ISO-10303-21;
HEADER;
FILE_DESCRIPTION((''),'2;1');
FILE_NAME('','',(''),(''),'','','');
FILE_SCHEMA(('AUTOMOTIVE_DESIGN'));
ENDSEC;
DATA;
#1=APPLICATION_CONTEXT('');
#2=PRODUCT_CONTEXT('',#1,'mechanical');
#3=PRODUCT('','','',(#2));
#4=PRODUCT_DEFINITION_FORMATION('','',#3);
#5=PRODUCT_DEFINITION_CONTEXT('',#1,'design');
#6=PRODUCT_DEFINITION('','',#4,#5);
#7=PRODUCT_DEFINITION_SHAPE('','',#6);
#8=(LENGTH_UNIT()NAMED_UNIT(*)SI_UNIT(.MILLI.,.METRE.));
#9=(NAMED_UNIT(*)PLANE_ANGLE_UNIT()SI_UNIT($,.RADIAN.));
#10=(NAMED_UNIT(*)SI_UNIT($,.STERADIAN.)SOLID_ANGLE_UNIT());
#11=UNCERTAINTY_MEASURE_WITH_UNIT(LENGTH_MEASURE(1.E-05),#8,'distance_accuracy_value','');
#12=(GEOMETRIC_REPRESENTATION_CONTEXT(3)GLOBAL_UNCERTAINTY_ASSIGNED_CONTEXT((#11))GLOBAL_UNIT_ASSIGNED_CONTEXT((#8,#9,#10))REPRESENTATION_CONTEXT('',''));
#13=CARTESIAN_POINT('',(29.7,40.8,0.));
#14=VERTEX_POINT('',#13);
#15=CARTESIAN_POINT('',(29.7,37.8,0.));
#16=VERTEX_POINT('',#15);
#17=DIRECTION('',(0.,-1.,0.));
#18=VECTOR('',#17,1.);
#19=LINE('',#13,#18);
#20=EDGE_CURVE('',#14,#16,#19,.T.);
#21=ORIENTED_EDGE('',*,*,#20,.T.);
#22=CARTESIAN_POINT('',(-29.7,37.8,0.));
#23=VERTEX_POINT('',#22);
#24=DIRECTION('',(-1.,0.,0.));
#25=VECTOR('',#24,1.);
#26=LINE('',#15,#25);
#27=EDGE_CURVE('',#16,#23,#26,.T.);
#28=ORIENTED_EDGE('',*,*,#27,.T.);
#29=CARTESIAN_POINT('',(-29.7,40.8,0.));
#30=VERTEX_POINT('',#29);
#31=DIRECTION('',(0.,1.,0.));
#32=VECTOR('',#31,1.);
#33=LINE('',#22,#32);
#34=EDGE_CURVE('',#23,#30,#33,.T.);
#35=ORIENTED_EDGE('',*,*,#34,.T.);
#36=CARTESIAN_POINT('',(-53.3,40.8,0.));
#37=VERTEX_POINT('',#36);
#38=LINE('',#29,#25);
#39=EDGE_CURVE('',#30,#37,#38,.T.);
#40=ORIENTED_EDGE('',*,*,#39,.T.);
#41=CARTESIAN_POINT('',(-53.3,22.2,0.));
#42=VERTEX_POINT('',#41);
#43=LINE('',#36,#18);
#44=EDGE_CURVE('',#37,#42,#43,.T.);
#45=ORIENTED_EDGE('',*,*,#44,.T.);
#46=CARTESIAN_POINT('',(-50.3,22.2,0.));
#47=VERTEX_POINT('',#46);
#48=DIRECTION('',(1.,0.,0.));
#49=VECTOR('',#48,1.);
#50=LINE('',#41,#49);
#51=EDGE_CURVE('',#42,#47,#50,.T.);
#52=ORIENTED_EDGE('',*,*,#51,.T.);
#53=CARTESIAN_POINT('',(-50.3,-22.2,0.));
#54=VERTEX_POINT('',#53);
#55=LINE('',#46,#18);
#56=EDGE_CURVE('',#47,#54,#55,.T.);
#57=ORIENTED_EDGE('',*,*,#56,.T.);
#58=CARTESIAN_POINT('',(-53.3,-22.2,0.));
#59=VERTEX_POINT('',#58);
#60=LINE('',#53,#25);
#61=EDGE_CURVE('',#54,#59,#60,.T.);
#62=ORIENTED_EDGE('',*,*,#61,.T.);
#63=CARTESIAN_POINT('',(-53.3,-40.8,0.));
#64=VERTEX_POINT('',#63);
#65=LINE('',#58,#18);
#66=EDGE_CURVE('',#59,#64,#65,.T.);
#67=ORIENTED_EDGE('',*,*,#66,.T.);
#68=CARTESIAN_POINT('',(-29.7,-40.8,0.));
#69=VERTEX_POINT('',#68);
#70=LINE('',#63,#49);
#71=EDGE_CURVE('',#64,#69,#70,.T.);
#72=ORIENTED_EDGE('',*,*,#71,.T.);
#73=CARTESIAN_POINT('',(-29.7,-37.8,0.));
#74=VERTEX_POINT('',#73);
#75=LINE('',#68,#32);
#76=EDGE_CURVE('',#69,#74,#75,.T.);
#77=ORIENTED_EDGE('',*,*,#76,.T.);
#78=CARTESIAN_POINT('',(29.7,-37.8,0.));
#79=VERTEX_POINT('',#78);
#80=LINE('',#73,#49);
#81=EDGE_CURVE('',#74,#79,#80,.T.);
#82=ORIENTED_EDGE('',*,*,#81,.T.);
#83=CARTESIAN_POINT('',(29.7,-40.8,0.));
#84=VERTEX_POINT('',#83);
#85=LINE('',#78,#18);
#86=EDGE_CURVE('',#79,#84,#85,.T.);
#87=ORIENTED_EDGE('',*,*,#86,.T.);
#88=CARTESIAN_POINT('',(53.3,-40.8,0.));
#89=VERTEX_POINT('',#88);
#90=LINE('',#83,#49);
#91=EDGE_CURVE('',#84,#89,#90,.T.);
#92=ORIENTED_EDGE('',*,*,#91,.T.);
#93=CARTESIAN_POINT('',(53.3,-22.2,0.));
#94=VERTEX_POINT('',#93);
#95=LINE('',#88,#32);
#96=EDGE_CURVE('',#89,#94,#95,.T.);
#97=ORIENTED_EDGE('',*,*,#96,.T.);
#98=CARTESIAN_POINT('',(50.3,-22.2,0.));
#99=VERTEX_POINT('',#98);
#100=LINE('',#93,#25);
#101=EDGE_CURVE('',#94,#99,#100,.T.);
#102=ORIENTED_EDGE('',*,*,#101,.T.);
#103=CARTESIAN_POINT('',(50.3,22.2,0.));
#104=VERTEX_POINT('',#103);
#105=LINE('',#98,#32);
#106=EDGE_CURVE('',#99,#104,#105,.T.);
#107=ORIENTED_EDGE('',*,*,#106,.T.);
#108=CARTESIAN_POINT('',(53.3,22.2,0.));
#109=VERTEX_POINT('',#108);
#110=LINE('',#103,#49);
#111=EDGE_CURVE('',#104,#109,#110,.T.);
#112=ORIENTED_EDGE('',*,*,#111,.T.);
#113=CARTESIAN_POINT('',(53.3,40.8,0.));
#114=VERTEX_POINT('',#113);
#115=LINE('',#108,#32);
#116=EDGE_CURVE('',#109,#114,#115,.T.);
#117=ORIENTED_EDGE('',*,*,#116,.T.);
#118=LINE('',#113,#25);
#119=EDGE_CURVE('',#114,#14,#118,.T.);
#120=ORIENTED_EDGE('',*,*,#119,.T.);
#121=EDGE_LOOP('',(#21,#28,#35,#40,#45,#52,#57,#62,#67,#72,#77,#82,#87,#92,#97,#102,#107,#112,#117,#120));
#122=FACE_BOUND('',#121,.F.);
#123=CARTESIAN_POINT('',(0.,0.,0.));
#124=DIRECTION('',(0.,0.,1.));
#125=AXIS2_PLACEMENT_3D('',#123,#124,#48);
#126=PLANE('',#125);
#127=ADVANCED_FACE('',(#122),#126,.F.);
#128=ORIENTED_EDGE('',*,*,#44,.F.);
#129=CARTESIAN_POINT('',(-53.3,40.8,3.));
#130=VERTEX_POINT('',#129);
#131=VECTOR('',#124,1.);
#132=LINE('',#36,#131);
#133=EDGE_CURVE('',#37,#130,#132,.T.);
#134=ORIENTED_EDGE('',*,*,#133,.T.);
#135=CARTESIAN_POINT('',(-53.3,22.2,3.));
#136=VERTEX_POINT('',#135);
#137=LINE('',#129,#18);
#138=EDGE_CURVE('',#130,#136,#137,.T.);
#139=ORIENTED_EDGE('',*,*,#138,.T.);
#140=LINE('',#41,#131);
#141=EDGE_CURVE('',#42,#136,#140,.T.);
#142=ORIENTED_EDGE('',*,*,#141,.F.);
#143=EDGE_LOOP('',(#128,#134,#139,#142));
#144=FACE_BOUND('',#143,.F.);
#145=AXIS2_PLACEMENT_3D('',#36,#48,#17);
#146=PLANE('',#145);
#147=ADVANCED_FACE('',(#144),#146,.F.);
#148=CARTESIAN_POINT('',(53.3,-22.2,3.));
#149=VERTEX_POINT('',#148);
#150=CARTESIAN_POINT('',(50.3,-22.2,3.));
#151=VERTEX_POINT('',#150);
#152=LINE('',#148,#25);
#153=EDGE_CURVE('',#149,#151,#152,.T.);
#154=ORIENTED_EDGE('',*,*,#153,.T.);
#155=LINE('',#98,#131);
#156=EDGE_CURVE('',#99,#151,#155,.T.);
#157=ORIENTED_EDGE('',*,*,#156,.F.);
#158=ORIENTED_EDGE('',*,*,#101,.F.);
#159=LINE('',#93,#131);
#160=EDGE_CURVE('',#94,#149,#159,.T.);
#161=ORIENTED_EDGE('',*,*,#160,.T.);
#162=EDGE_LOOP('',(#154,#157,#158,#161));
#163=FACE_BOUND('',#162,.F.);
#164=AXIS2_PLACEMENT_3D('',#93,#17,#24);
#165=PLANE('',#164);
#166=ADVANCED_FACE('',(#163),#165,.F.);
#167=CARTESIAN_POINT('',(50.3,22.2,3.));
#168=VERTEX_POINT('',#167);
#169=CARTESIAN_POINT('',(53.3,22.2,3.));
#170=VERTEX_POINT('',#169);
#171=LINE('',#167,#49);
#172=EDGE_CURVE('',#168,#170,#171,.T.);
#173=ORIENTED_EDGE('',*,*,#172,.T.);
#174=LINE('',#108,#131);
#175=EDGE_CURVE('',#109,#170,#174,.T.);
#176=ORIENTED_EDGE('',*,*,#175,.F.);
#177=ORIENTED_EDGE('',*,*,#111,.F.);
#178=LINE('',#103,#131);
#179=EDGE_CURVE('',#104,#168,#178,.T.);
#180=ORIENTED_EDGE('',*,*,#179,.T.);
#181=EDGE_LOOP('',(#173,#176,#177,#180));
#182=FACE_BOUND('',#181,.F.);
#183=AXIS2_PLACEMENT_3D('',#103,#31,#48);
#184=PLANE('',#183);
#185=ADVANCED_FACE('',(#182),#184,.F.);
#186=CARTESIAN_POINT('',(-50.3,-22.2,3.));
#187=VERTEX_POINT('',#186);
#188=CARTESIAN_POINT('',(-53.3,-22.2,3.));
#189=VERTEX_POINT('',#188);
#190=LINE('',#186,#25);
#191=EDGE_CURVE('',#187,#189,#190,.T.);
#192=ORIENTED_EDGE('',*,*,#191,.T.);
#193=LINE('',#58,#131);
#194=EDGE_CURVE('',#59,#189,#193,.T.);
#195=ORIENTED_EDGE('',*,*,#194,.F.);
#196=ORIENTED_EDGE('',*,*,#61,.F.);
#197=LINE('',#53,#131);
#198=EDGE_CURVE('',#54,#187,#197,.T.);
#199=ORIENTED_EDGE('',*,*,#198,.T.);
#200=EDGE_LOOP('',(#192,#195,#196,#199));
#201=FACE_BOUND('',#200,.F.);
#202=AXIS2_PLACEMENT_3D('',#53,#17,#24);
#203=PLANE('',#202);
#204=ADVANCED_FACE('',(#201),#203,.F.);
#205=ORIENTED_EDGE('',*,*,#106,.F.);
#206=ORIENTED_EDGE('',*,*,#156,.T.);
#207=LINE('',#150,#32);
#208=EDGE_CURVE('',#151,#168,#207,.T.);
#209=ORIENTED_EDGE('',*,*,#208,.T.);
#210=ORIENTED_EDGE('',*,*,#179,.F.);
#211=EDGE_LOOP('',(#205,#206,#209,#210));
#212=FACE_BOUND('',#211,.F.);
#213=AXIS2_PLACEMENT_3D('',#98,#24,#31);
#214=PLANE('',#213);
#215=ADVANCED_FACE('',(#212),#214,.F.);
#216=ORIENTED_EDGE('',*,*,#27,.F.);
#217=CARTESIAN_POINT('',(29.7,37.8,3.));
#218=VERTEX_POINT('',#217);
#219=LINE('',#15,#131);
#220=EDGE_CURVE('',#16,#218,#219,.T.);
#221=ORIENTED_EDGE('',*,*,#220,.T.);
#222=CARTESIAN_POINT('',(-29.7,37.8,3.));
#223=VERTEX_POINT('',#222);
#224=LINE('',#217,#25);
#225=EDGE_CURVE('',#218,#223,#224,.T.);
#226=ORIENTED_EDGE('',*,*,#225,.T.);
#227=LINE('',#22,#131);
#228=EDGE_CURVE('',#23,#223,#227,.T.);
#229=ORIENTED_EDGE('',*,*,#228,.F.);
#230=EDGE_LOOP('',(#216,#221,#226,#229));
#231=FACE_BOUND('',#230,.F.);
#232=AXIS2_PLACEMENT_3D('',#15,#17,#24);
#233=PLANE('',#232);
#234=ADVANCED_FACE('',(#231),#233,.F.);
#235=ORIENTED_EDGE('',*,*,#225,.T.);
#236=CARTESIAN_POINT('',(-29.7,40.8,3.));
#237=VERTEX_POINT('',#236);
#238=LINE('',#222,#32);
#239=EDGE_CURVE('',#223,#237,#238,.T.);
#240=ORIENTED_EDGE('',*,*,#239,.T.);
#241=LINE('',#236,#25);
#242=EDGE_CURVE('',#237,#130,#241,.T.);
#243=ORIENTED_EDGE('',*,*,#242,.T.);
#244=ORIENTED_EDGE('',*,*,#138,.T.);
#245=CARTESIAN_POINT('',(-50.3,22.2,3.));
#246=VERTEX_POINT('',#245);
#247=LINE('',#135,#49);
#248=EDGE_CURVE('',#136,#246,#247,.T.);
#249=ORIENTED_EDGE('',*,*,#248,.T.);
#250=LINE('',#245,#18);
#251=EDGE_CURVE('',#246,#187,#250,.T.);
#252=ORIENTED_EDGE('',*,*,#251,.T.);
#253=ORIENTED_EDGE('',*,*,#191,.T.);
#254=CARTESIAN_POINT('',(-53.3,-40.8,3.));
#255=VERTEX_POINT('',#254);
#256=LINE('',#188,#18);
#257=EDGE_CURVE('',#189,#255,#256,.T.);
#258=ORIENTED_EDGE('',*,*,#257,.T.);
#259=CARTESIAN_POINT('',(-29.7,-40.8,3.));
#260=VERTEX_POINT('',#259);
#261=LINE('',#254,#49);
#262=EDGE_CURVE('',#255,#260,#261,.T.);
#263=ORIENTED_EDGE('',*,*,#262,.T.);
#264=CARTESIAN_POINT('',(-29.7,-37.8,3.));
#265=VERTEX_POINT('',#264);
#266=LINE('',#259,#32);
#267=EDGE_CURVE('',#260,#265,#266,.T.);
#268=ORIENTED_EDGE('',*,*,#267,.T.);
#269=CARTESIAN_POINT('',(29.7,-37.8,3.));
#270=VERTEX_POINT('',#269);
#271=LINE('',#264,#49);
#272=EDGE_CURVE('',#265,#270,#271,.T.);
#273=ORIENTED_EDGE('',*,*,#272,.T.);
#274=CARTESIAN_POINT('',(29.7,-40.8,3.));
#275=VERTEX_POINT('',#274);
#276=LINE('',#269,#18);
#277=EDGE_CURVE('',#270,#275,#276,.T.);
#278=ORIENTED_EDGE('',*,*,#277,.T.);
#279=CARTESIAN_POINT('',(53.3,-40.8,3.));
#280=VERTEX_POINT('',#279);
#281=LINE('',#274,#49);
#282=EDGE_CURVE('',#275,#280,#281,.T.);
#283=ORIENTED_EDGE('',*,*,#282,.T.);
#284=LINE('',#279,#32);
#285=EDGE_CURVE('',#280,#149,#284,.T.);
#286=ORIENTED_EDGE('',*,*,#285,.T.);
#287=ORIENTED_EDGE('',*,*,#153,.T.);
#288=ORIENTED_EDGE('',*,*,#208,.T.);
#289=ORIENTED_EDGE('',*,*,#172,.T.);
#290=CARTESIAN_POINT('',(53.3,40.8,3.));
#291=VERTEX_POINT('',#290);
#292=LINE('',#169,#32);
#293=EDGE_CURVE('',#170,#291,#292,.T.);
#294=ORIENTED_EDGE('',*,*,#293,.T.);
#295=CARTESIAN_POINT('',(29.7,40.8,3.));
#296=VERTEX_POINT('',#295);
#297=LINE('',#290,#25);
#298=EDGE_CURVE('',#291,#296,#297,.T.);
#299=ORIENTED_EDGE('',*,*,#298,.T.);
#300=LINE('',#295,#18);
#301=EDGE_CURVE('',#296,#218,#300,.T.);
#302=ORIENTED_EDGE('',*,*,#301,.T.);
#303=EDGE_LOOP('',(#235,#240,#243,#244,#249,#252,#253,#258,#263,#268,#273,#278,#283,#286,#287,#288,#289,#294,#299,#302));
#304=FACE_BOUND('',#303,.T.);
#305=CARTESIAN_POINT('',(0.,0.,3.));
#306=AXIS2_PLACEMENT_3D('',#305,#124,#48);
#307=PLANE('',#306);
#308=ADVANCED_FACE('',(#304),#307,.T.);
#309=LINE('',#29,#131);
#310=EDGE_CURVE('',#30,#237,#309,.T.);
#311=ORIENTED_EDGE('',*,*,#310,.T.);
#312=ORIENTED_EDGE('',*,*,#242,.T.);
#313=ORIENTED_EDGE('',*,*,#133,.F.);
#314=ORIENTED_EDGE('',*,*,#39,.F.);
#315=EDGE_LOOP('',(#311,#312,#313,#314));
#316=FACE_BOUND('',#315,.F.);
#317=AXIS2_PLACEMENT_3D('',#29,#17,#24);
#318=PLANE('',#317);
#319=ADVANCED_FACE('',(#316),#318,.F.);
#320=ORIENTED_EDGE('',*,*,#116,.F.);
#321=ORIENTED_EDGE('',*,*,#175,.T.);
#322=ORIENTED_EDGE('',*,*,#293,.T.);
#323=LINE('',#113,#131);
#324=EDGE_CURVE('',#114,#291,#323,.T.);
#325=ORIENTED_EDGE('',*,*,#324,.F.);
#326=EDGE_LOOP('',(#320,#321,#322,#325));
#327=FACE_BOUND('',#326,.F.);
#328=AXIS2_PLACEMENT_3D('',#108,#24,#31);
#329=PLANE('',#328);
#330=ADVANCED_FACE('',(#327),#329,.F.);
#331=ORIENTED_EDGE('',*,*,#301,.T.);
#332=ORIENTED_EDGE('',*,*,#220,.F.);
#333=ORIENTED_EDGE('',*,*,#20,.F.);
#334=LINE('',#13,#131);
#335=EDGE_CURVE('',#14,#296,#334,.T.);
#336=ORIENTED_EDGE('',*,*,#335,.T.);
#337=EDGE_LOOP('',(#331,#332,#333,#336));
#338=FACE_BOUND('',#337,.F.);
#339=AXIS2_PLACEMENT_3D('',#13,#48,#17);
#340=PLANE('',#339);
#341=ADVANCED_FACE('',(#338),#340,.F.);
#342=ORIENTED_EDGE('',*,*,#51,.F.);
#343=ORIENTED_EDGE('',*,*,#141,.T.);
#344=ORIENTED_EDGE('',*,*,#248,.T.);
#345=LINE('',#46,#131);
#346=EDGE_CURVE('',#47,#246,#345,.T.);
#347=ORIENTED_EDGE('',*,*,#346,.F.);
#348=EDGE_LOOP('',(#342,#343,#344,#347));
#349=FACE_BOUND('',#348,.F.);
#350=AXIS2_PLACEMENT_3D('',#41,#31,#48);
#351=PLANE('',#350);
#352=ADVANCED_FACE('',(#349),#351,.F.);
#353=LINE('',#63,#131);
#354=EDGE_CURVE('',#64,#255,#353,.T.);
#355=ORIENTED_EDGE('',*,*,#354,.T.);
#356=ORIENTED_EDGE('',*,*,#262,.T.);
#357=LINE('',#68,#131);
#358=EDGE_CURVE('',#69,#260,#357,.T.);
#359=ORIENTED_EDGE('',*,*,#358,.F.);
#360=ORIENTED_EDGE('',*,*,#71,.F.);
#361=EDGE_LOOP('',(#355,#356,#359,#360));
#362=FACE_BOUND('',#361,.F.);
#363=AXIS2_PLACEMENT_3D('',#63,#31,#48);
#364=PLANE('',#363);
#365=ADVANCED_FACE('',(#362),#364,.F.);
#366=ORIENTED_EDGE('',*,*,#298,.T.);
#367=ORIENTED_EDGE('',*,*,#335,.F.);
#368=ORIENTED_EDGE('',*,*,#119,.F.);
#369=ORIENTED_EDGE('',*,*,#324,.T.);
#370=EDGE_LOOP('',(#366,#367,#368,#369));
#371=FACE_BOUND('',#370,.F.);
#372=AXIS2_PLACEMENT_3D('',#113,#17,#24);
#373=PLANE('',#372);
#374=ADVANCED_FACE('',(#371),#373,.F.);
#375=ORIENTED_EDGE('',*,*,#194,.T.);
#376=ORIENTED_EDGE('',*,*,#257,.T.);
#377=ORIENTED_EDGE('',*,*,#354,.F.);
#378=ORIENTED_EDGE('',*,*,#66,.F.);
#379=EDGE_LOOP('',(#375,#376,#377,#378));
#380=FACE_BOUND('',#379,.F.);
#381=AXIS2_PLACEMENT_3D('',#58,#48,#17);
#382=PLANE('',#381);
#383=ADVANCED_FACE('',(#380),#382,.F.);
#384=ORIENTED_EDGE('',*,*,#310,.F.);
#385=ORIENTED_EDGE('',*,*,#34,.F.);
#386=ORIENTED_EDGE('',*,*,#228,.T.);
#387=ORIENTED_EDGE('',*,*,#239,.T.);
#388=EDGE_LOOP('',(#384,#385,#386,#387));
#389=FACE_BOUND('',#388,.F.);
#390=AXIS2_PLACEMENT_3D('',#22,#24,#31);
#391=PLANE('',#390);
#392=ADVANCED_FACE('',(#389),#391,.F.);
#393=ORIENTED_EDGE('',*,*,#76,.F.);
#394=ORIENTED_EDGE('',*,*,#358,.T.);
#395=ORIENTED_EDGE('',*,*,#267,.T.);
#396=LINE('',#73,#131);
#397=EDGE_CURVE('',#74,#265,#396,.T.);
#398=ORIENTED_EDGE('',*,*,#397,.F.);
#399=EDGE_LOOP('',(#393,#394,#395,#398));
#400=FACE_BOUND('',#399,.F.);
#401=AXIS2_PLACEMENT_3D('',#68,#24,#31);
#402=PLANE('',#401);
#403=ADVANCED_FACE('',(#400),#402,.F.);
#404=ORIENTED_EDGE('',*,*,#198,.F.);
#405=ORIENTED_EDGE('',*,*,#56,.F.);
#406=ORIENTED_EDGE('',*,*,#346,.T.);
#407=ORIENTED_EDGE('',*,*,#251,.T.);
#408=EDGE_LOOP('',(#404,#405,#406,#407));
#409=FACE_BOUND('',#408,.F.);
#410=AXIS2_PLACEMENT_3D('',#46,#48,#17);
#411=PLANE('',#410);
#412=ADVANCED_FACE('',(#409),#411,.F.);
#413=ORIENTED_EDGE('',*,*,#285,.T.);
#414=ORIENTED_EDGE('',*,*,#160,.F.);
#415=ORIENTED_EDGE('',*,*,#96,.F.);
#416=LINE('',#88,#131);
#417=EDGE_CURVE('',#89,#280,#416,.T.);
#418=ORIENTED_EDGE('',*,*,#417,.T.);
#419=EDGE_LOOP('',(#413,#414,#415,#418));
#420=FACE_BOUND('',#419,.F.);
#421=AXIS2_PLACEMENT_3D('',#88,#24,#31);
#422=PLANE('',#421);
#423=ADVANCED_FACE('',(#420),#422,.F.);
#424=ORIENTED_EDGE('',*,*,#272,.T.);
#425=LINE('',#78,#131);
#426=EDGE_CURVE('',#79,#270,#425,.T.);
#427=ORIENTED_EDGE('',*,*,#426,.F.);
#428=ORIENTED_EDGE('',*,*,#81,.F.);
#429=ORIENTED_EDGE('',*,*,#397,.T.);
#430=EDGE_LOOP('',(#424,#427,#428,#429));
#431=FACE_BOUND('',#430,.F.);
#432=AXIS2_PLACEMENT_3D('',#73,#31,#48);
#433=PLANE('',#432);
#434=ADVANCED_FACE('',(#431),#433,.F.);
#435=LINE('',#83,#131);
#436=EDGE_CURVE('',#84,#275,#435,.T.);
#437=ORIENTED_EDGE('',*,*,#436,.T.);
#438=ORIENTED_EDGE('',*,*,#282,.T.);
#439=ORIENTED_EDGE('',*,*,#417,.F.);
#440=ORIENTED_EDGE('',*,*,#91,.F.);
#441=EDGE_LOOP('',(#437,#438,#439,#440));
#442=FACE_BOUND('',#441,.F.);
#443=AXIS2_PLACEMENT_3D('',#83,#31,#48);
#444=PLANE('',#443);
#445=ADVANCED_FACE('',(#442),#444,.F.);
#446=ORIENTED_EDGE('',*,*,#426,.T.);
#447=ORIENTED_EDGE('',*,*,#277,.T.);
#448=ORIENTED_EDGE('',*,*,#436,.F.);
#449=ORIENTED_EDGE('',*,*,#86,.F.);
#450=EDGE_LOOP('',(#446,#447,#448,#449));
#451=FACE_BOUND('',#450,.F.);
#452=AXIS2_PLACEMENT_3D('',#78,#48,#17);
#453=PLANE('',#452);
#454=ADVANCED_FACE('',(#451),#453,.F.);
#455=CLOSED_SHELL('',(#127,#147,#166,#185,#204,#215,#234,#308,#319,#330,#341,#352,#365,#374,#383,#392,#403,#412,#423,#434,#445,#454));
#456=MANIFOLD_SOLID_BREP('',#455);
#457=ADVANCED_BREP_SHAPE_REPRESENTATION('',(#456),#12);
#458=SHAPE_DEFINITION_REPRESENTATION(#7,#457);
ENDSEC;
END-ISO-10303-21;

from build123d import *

# Parameters (mm, degrees)
F2_DEPTH = 3


with BuildPart() as f2:
    # F1 (on Top) → F2 (new body)
    with BuildSketch(Plane.XY):
        Polygon((0, 37.8), (-29.7, 37.8), (-29.7, 40.8), (-53.3, 40.8), (-53.3, 22.2), (-50.3, 22.2), (-50.3, 0), (-50.3, -22.2), (-53.3, -22.2), (-53.3, -40.8), (-29.7, -40.8), (-29.7, -37.8), (0, -37.8), (29.7, -37.8), (29.7, -40.8), (53.3, -40.8), (53.3, -22.2), (50.3, -22.2), (50.3, 0), (50.3, 22.2), (53.3, 22.2), (53.3, 40.8), (29.7, 40.8), (29.7, 37.8), align=None)
    extrude(amount=F2_DEPTH)


solid = f2.part
